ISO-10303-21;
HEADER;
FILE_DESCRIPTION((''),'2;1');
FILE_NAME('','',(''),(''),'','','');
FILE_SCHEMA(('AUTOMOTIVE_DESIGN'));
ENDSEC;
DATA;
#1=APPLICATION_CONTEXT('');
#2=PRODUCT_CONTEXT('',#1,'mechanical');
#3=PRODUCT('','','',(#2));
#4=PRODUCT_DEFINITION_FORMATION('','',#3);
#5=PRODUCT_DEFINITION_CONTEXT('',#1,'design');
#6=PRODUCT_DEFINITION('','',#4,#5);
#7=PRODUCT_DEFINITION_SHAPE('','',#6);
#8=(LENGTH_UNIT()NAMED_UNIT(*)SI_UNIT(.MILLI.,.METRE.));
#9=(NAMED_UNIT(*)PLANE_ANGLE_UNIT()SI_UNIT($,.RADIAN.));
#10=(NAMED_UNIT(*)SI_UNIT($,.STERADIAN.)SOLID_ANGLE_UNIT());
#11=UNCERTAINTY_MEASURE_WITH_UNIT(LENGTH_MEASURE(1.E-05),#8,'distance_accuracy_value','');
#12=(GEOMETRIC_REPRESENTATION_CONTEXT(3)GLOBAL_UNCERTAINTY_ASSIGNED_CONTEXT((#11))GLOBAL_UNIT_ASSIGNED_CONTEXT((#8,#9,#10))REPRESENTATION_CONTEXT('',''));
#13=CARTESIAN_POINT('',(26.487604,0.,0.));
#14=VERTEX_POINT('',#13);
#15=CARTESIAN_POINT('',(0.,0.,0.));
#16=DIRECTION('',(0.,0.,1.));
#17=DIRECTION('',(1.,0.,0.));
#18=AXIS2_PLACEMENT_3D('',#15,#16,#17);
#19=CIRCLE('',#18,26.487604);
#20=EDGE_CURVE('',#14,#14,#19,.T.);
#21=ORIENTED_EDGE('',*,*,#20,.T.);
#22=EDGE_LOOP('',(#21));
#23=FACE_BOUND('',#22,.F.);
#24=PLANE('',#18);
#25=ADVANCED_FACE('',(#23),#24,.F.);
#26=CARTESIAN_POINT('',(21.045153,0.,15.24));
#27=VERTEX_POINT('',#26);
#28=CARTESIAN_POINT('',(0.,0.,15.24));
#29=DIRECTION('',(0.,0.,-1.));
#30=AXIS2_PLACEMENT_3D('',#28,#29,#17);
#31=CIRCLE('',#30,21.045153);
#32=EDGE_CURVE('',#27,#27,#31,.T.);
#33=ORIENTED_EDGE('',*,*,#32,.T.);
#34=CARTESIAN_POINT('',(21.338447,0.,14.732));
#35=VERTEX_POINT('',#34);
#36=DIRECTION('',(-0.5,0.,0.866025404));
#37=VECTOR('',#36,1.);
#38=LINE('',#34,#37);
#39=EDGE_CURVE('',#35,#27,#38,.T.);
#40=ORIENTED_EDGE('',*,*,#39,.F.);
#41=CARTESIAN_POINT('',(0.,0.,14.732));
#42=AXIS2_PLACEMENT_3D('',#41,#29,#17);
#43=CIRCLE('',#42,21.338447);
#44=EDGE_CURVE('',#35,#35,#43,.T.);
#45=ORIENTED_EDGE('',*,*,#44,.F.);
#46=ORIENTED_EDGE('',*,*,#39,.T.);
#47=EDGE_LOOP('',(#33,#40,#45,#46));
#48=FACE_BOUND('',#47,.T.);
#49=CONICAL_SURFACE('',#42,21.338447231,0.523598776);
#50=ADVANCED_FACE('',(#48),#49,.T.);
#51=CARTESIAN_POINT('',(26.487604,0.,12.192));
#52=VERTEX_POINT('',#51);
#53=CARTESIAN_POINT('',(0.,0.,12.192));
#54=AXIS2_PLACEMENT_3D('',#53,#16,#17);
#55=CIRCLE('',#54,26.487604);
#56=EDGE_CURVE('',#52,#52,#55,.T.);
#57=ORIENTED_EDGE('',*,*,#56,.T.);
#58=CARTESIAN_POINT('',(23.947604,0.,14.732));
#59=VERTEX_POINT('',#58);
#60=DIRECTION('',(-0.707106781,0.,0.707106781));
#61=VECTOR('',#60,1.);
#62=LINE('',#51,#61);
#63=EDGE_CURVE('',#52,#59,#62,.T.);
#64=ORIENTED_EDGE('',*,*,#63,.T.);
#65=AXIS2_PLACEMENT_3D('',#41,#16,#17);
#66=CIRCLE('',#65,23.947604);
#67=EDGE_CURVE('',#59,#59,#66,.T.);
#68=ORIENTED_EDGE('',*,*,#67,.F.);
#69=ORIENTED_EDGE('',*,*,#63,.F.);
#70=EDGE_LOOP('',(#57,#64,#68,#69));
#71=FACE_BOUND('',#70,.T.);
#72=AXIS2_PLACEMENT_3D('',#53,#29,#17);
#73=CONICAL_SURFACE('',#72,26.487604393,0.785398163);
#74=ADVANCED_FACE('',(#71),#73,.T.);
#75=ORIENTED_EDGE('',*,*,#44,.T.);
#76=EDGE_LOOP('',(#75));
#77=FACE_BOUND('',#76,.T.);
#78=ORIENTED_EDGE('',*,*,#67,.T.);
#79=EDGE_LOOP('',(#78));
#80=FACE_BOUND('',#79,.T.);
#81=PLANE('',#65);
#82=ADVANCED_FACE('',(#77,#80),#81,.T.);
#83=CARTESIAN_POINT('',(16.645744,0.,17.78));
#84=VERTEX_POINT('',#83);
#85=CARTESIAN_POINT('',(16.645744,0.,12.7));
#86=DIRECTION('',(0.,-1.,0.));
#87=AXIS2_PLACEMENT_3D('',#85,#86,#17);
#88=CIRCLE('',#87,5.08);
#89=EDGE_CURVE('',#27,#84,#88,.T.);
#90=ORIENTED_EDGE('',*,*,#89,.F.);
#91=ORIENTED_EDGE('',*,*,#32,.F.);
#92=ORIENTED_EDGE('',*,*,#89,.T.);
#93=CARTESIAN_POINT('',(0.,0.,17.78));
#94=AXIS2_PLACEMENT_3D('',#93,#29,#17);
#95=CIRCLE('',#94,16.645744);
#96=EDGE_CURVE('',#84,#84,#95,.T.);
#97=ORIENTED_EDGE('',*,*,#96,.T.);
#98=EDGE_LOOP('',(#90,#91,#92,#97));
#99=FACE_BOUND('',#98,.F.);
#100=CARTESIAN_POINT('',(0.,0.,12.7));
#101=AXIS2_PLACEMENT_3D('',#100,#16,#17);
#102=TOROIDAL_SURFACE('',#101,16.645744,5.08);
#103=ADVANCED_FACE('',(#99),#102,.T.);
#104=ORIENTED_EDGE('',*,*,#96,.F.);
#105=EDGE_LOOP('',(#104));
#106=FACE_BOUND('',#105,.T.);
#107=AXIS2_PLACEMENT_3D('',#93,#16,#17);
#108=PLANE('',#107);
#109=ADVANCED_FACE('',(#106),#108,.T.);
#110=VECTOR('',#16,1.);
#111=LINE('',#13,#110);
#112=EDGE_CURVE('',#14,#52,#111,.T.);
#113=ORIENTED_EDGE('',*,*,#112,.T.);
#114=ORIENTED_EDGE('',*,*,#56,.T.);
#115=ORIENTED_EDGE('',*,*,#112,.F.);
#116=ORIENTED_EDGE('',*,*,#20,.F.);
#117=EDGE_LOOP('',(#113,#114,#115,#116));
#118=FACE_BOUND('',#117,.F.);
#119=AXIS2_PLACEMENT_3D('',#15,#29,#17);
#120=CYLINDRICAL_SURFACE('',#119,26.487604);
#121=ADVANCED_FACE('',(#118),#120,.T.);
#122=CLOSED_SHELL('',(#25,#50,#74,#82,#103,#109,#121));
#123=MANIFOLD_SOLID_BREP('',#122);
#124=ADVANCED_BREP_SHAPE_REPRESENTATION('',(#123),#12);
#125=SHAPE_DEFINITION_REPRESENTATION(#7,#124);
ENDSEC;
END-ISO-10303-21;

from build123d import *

# Parameters (mm, degrees)
F0_R     = 26.4876043929
F1_DEPTH = 14.732
F2_SIZE  = 2.54
F3_R     = 21.3384472315
F4_DEPTH = 3.048
F4_TAPER = 30
F5_R     = 5.08


with BuildPart() as f1:
    # F0 (on Top) → F1 (new body)
    with BuildSketch(Plane.XY):
        Circle(F0_R)
    extrude(amount=F1_DEPTH)

    # F2
    f2_edges = [f1.edges().sort_by_distance(p)[0] for p in [
        (-26.487604, 0, 14.732),
    ]]
    chamfer(f2_edges, length=F2_SIZE)

    # F3 (on face) → F4 (join)
    with BuildSketch(Plane.XY.offset(14.732)):
        Circle(F3_R)
    extrude(amount=F4_DEPTH, taper=F4_TAPER)

    # F5
    f5_edges = [f1.edges().sort_by_distance(p)[0] for p in [
        (-19.578684, 0, 17.78),
    ]]
    fillet(f5_edges, radius=F5_R)


solid = f1.part
